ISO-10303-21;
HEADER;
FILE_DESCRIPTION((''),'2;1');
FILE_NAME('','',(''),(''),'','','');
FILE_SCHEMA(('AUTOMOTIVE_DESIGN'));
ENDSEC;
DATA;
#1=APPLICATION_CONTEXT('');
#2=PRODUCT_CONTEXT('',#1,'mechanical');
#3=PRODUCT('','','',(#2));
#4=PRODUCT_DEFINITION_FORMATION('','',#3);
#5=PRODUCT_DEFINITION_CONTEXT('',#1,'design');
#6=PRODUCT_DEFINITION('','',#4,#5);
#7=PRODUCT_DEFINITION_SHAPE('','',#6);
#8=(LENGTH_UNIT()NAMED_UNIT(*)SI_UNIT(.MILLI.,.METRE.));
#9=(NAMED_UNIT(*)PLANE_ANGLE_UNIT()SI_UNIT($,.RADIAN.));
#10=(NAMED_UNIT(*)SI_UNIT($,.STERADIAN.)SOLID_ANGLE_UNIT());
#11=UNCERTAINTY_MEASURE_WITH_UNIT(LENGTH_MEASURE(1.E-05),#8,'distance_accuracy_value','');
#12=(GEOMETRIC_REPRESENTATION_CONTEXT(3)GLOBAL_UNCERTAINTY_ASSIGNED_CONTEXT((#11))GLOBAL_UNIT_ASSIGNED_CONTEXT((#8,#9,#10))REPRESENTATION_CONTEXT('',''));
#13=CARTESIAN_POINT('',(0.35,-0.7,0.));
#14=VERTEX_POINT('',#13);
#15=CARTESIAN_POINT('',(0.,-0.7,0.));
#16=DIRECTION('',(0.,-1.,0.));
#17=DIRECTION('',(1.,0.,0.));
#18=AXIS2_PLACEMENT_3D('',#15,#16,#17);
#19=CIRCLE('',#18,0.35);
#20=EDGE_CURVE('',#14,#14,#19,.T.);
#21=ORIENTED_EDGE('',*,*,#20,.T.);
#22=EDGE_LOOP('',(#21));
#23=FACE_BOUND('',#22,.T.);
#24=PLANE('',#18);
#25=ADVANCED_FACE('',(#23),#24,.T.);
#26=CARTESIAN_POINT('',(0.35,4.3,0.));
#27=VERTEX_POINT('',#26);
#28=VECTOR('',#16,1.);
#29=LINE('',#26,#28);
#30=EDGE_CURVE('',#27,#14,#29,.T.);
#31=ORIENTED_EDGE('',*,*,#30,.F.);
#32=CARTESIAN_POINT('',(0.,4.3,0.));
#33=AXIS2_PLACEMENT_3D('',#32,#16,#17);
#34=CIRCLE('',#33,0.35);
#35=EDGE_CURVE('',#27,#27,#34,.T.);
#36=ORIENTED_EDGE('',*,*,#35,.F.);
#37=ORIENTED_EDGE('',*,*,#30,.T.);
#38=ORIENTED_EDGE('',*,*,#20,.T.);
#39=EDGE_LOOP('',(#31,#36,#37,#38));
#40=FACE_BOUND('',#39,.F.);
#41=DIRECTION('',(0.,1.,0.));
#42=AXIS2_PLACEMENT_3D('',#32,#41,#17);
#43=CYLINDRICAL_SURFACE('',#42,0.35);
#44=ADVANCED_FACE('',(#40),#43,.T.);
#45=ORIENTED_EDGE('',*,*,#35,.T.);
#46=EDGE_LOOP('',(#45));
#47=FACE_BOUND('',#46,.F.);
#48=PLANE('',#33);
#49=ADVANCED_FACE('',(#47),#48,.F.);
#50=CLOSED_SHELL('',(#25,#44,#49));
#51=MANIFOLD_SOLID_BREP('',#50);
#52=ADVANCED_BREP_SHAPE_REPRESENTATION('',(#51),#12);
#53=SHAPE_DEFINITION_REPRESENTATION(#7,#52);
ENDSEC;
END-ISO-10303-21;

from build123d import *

# Parameters (mm, degrees)
CYLINDER_R     = 0.35
CYLINDER_DEPTH = 5


with BuildPart() as part:
    # Cylinder → Cylinder (new body)
    with BuildSketch(Plane.XZ.offset(-4.3)):
        Circle(CYLINDER_R)
    extrude(amount=CYLINDER_DEPTH)


solid = part.part
